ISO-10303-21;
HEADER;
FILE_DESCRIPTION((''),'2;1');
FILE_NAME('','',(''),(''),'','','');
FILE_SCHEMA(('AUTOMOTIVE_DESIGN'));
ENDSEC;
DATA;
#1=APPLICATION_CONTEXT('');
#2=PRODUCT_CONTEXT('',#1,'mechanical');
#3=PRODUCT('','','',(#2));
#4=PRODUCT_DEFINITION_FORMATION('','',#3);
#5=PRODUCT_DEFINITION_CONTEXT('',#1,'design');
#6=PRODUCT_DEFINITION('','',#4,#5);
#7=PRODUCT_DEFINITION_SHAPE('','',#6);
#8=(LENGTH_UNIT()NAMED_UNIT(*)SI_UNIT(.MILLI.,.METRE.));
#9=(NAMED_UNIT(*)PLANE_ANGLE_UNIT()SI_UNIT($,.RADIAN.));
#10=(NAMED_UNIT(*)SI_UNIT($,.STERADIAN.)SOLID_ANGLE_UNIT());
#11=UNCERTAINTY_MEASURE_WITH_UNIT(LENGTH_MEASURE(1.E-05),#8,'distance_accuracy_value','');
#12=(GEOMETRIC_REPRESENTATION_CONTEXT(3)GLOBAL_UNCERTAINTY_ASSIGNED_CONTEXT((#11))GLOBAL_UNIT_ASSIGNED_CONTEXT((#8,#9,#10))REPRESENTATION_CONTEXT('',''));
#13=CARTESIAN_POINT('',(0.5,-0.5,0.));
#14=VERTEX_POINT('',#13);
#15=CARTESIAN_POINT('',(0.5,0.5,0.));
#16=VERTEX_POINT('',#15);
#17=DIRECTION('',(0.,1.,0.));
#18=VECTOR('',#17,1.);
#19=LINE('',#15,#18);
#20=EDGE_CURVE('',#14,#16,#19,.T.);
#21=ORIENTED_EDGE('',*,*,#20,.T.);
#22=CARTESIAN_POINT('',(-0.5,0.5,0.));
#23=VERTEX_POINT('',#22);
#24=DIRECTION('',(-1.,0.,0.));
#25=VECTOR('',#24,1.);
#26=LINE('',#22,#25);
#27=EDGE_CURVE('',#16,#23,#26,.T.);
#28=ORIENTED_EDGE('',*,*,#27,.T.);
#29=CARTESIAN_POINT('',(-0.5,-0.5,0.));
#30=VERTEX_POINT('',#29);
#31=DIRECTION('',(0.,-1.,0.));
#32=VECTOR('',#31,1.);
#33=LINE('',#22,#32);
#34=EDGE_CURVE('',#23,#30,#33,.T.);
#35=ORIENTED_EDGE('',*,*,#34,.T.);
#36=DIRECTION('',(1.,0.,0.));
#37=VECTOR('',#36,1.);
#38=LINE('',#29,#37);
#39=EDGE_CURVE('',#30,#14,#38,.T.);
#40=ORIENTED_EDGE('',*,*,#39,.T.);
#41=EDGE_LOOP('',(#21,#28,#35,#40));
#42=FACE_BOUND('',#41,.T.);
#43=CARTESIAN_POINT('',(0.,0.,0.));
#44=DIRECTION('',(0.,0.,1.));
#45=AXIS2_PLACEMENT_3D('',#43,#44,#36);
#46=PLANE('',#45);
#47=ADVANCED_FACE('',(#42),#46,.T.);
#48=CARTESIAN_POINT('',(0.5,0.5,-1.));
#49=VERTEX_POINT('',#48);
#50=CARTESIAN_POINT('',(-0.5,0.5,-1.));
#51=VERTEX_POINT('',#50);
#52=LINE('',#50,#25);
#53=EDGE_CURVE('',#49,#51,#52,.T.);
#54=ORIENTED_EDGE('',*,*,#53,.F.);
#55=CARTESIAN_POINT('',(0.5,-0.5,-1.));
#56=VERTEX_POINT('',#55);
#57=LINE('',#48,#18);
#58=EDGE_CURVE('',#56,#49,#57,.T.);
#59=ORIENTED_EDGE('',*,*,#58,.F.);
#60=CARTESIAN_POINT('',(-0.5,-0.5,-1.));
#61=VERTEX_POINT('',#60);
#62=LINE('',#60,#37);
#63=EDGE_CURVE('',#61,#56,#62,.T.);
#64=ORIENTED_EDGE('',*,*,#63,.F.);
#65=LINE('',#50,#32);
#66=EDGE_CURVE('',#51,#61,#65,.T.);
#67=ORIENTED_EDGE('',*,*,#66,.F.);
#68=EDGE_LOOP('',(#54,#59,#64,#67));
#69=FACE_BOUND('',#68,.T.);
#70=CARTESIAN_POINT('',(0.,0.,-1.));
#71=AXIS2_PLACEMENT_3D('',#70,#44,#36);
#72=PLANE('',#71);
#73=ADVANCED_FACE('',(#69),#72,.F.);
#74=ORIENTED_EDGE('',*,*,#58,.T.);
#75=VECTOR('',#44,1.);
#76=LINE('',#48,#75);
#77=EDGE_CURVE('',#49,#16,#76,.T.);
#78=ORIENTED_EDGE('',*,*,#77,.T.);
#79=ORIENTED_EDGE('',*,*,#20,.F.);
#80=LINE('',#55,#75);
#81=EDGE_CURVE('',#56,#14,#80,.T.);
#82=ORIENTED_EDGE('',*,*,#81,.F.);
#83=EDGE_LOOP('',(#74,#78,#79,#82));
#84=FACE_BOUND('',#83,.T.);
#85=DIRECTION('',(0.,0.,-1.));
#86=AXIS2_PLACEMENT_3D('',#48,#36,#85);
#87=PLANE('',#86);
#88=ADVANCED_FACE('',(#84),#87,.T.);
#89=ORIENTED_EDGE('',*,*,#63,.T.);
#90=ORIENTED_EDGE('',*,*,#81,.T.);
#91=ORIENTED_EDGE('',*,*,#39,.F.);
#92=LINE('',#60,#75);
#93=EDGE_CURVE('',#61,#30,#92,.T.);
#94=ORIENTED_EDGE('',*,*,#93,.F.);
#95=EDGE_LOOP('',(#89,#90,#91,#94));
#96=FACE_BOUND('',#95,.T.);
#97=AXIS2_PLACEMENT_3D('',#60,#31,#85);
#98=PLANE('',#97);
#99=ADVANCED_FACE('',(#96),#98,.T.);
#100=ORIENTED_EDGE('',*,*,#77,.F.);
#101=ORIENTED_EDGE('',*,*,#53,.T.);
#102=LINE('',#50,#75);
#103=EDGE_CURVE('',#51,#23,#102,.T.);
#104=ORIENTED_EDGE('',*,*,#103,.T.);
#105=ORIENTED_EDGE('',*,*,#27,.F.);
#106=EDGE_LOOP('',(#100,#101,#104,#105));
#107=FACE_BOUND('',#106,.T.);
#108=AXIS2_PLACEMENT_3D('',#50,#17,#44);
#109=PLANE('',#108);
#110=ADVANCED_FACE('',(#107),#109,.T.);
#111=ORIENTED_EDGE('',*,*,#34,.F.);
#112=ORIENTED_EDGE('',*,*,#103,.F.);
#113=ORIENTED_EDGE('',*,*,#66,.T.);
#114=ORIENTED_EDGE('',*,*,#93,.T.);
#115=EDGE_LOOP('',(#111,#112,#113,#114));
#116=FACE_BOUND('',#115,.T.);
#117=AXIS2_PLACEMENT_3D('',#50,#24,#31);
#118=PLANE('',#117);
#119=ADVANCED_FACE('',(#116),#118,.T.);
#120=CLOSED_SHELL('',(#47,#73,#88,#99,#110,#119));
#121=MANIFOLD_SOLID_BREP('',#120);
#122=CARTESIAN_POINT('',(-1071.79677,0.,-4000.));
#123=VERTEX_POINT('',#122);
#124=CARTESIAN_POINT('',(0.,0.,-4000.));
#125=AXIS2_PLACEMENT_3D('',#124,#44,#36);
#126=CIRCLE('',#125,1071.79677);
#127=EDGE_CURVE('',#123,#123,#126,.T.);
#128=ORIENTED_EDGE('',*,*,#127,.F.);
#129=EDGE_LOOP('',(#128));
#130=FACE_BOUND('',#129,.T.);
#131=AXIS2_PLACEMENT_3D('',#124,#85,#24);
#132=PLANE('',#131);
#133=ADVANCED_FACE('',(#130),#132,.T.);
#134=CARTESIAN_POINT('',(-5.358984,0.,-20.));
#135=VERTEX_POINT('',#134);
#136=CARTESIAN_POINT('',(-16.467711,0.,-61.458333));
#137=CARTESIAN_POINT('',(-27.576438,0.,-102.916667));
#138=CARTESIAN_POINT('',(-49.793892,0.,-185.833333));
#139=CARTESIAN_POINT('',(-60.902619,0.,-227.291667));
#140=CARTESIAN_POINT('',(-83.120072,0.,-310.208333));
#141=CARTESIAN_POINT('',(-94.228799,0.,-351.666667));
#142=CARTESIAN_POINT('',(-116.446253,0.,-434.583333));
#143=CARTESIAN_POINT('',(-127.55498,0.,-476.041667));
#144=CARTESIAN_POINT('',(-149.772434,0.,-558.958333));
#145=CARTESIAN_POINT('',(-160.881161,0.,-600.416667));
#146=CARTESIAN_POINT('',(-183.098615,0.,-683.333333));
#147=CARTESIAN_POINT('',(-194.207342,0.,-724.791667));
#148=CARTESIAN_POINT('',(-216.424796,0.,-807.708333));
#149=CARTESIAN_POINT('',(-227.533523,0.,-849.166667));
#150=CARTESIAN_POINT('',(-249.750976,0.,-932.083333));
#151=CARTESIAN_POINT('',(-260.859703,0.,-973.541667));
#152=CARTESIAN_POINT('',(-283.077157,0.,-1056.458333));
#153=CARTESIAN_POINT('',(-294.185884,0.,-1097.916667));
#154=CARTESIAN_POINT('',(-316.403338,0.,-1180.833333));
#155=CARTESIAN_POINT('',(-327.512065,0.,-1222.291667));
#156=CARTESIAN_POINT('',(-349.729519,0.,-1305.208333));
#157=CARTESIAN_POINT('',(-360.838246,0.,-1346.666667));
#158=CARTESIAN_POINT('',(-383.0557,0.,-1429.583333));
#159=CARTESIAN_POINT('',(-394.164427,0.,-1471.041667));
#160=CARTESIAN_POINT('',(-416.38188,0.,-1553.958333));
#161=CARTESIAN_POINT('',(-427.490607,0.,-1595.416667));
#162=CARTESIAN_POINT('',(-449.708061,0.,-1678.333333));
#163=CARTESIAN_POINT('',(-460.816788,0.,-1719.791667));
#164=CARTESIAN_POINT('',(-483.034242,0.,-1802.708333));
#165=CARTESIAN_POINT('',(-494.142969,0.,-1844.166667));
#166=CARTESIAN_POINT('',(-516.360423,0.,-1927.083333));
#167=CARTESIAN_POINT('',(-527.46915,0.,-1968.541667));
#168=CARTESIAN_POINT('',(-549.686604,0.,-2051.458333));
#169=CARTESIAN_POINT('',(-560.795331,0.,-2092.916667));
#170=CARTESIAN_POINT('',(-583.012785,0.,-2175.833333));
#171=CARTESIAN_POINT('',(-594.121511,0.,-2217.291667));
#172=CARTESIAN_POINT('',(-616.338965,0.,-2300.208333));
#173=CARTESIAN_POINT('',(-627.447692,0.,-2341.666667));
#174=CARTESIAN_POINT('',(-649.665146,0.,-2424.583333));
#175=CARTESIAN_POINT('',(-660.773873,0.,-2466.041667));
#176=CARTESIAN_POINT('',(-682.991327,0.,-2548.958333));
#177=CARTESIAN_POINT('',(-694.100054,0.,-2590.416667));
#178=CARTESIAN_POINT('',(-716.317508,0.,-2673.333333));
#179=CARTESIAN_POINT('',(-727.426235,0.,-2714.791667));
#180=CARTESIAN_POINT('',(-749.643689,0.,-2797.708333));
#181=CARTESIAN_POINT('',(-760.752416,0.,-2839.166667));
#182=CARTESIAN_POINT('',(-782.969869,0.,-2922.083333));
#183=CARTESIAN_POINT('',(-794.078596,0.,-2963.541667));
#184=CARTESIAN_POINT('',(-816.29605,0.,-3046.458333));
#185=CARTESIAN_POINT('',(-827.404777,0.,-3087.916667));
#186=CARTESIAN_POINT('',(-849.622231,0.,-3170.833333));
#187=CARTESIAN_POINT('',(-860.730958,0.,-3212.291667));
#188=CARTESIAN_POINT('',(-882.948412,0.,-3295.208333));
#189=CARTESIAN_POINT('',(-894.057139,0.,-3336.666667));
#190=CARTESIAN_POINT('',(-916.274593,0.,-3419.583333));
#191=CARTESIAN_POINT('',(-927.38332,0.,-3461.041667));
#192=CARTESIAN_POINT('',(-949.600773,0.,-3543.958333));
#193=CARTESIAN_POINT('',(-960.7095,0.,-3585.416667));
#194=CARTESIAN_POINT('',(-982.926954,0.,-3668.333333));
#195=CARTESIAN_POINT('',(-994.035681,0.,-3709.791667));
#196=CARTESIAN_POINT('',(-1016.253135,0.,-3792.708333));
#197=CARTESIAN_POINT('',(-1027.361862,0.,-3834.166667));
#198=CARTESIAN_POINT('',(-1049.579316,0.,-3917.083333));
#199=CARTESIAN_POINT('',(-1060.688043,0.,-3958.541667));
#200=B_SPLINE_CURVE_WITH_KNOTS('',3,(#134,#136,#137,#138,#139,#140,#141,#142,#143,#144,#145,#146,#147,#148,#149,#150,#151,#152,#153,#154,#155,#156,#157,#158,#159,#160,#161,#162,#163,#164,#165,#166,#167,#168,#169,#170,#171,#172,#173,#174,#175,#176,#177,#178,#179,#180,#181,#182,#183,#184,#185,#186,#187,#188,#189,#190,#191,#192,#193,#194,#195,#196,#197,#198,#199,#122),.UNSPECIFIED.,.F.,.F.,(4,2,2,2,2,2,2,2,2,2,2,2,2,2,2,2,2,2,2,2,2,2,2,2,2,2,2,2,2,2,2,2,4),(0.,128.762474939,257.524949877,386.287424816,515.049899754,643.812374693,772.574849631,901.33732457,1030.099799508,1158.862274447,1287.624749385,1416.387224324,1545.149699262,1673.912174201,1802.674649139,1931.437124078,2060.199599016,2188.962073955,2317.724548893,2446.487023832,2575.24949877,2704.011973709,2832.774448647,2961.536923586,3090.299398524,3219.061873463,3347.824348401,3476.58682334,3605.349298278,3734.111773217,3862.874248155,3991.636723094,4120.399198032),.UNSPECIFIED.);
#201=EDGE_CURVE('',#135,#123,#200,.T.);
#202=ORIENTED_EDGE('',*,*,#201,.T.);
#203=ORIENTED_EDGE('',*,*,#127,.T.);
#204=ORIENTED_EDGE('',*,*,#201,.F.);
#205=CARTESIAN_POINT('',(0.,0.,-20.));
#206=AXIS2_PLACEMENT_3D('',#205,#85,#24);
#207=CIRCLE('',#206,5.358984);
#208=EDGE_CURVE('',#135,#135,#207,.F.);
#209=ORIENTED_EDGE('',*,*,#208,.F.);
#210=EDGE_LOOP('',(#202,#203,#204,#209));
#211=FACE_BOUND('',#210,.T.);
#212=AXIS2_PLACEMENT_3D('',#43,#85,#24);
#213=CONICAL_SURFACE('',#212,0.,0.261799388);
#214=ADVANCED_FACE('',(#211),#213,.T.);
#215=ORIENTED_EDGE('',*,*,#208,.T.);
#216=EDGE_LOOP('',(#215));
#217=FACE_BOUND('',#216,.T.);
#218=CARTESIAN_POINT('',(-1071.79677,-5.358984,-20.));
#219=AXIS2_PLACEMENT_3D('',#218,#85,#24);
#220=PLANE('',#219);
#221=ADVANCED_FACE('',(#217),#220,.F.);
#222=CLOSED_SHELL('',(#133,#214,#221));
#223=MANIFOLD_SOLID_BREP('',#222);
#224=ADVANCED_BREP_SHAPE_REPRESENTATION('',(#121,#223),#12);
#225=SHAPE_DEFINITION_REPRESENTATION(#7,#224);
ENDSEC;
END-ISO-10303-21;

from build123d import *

# Parameters (mm, degrees)
CUT_EXTRUDE1_DEPTH      = 4278.557320619
CUT_EXTRUDE1_DEPTH_BACK = 4278.557320619
SKETCH4_W               = 1
SKETCH4_H               = 1
BOSS_EXTRUDE1_DEPTH     = 1


with BuildPart() as part:
    # Sketch1 → Revolve1 (revolve)
    with BuildSketch(Plane(origin=(0, 0, 0), x_dir=(1, 0, 0), z_dir=(0, 1, 0)), mode=Mode.PRIVATE) as revolve1_sk:
        Polygon((0, 0), (0, 4000), (1071.796769724, 4000), align=None)
    revolve(revolve1_sk.sketch.rotate(Axis((0, 0, 0), (0, 0, -1)), 180), axis=Axis((0, 0, 0), (0, 0, -1)))

    # Sketch2 → Cut-Extrude1 (cut, two sides: drawn at the far end of the back side and taken through both)
    with BuildSketch(Plane(origin=(0, 0, 0), x_dir=(0, 0, -1), z_dir=(1, 0, 0)).offset(-CUT_EXTRUDE1_DEPTH_BACK)):
        Polygon((0, 0), (20, -5.358983849), (20, 5.358983849), align=None)
    extrude(amount=CUT_EXTRUDE1_DEPTH + CUT_EXTRUDE1_DEPTH_BACK, mode=Mode.SUBTRACT)


with BuildPart() as body_2:
    # Sketch4 → Boss-Extrude1 (new body)
    with BuildSketch(Plane.XY):
        Rectangle(SKETCH4_W, SKETCH4_H)
    extrude(amount=-BOSS_EXTRUDE1_DEPTH)


solid = Compound([part.part, body_2.part])
